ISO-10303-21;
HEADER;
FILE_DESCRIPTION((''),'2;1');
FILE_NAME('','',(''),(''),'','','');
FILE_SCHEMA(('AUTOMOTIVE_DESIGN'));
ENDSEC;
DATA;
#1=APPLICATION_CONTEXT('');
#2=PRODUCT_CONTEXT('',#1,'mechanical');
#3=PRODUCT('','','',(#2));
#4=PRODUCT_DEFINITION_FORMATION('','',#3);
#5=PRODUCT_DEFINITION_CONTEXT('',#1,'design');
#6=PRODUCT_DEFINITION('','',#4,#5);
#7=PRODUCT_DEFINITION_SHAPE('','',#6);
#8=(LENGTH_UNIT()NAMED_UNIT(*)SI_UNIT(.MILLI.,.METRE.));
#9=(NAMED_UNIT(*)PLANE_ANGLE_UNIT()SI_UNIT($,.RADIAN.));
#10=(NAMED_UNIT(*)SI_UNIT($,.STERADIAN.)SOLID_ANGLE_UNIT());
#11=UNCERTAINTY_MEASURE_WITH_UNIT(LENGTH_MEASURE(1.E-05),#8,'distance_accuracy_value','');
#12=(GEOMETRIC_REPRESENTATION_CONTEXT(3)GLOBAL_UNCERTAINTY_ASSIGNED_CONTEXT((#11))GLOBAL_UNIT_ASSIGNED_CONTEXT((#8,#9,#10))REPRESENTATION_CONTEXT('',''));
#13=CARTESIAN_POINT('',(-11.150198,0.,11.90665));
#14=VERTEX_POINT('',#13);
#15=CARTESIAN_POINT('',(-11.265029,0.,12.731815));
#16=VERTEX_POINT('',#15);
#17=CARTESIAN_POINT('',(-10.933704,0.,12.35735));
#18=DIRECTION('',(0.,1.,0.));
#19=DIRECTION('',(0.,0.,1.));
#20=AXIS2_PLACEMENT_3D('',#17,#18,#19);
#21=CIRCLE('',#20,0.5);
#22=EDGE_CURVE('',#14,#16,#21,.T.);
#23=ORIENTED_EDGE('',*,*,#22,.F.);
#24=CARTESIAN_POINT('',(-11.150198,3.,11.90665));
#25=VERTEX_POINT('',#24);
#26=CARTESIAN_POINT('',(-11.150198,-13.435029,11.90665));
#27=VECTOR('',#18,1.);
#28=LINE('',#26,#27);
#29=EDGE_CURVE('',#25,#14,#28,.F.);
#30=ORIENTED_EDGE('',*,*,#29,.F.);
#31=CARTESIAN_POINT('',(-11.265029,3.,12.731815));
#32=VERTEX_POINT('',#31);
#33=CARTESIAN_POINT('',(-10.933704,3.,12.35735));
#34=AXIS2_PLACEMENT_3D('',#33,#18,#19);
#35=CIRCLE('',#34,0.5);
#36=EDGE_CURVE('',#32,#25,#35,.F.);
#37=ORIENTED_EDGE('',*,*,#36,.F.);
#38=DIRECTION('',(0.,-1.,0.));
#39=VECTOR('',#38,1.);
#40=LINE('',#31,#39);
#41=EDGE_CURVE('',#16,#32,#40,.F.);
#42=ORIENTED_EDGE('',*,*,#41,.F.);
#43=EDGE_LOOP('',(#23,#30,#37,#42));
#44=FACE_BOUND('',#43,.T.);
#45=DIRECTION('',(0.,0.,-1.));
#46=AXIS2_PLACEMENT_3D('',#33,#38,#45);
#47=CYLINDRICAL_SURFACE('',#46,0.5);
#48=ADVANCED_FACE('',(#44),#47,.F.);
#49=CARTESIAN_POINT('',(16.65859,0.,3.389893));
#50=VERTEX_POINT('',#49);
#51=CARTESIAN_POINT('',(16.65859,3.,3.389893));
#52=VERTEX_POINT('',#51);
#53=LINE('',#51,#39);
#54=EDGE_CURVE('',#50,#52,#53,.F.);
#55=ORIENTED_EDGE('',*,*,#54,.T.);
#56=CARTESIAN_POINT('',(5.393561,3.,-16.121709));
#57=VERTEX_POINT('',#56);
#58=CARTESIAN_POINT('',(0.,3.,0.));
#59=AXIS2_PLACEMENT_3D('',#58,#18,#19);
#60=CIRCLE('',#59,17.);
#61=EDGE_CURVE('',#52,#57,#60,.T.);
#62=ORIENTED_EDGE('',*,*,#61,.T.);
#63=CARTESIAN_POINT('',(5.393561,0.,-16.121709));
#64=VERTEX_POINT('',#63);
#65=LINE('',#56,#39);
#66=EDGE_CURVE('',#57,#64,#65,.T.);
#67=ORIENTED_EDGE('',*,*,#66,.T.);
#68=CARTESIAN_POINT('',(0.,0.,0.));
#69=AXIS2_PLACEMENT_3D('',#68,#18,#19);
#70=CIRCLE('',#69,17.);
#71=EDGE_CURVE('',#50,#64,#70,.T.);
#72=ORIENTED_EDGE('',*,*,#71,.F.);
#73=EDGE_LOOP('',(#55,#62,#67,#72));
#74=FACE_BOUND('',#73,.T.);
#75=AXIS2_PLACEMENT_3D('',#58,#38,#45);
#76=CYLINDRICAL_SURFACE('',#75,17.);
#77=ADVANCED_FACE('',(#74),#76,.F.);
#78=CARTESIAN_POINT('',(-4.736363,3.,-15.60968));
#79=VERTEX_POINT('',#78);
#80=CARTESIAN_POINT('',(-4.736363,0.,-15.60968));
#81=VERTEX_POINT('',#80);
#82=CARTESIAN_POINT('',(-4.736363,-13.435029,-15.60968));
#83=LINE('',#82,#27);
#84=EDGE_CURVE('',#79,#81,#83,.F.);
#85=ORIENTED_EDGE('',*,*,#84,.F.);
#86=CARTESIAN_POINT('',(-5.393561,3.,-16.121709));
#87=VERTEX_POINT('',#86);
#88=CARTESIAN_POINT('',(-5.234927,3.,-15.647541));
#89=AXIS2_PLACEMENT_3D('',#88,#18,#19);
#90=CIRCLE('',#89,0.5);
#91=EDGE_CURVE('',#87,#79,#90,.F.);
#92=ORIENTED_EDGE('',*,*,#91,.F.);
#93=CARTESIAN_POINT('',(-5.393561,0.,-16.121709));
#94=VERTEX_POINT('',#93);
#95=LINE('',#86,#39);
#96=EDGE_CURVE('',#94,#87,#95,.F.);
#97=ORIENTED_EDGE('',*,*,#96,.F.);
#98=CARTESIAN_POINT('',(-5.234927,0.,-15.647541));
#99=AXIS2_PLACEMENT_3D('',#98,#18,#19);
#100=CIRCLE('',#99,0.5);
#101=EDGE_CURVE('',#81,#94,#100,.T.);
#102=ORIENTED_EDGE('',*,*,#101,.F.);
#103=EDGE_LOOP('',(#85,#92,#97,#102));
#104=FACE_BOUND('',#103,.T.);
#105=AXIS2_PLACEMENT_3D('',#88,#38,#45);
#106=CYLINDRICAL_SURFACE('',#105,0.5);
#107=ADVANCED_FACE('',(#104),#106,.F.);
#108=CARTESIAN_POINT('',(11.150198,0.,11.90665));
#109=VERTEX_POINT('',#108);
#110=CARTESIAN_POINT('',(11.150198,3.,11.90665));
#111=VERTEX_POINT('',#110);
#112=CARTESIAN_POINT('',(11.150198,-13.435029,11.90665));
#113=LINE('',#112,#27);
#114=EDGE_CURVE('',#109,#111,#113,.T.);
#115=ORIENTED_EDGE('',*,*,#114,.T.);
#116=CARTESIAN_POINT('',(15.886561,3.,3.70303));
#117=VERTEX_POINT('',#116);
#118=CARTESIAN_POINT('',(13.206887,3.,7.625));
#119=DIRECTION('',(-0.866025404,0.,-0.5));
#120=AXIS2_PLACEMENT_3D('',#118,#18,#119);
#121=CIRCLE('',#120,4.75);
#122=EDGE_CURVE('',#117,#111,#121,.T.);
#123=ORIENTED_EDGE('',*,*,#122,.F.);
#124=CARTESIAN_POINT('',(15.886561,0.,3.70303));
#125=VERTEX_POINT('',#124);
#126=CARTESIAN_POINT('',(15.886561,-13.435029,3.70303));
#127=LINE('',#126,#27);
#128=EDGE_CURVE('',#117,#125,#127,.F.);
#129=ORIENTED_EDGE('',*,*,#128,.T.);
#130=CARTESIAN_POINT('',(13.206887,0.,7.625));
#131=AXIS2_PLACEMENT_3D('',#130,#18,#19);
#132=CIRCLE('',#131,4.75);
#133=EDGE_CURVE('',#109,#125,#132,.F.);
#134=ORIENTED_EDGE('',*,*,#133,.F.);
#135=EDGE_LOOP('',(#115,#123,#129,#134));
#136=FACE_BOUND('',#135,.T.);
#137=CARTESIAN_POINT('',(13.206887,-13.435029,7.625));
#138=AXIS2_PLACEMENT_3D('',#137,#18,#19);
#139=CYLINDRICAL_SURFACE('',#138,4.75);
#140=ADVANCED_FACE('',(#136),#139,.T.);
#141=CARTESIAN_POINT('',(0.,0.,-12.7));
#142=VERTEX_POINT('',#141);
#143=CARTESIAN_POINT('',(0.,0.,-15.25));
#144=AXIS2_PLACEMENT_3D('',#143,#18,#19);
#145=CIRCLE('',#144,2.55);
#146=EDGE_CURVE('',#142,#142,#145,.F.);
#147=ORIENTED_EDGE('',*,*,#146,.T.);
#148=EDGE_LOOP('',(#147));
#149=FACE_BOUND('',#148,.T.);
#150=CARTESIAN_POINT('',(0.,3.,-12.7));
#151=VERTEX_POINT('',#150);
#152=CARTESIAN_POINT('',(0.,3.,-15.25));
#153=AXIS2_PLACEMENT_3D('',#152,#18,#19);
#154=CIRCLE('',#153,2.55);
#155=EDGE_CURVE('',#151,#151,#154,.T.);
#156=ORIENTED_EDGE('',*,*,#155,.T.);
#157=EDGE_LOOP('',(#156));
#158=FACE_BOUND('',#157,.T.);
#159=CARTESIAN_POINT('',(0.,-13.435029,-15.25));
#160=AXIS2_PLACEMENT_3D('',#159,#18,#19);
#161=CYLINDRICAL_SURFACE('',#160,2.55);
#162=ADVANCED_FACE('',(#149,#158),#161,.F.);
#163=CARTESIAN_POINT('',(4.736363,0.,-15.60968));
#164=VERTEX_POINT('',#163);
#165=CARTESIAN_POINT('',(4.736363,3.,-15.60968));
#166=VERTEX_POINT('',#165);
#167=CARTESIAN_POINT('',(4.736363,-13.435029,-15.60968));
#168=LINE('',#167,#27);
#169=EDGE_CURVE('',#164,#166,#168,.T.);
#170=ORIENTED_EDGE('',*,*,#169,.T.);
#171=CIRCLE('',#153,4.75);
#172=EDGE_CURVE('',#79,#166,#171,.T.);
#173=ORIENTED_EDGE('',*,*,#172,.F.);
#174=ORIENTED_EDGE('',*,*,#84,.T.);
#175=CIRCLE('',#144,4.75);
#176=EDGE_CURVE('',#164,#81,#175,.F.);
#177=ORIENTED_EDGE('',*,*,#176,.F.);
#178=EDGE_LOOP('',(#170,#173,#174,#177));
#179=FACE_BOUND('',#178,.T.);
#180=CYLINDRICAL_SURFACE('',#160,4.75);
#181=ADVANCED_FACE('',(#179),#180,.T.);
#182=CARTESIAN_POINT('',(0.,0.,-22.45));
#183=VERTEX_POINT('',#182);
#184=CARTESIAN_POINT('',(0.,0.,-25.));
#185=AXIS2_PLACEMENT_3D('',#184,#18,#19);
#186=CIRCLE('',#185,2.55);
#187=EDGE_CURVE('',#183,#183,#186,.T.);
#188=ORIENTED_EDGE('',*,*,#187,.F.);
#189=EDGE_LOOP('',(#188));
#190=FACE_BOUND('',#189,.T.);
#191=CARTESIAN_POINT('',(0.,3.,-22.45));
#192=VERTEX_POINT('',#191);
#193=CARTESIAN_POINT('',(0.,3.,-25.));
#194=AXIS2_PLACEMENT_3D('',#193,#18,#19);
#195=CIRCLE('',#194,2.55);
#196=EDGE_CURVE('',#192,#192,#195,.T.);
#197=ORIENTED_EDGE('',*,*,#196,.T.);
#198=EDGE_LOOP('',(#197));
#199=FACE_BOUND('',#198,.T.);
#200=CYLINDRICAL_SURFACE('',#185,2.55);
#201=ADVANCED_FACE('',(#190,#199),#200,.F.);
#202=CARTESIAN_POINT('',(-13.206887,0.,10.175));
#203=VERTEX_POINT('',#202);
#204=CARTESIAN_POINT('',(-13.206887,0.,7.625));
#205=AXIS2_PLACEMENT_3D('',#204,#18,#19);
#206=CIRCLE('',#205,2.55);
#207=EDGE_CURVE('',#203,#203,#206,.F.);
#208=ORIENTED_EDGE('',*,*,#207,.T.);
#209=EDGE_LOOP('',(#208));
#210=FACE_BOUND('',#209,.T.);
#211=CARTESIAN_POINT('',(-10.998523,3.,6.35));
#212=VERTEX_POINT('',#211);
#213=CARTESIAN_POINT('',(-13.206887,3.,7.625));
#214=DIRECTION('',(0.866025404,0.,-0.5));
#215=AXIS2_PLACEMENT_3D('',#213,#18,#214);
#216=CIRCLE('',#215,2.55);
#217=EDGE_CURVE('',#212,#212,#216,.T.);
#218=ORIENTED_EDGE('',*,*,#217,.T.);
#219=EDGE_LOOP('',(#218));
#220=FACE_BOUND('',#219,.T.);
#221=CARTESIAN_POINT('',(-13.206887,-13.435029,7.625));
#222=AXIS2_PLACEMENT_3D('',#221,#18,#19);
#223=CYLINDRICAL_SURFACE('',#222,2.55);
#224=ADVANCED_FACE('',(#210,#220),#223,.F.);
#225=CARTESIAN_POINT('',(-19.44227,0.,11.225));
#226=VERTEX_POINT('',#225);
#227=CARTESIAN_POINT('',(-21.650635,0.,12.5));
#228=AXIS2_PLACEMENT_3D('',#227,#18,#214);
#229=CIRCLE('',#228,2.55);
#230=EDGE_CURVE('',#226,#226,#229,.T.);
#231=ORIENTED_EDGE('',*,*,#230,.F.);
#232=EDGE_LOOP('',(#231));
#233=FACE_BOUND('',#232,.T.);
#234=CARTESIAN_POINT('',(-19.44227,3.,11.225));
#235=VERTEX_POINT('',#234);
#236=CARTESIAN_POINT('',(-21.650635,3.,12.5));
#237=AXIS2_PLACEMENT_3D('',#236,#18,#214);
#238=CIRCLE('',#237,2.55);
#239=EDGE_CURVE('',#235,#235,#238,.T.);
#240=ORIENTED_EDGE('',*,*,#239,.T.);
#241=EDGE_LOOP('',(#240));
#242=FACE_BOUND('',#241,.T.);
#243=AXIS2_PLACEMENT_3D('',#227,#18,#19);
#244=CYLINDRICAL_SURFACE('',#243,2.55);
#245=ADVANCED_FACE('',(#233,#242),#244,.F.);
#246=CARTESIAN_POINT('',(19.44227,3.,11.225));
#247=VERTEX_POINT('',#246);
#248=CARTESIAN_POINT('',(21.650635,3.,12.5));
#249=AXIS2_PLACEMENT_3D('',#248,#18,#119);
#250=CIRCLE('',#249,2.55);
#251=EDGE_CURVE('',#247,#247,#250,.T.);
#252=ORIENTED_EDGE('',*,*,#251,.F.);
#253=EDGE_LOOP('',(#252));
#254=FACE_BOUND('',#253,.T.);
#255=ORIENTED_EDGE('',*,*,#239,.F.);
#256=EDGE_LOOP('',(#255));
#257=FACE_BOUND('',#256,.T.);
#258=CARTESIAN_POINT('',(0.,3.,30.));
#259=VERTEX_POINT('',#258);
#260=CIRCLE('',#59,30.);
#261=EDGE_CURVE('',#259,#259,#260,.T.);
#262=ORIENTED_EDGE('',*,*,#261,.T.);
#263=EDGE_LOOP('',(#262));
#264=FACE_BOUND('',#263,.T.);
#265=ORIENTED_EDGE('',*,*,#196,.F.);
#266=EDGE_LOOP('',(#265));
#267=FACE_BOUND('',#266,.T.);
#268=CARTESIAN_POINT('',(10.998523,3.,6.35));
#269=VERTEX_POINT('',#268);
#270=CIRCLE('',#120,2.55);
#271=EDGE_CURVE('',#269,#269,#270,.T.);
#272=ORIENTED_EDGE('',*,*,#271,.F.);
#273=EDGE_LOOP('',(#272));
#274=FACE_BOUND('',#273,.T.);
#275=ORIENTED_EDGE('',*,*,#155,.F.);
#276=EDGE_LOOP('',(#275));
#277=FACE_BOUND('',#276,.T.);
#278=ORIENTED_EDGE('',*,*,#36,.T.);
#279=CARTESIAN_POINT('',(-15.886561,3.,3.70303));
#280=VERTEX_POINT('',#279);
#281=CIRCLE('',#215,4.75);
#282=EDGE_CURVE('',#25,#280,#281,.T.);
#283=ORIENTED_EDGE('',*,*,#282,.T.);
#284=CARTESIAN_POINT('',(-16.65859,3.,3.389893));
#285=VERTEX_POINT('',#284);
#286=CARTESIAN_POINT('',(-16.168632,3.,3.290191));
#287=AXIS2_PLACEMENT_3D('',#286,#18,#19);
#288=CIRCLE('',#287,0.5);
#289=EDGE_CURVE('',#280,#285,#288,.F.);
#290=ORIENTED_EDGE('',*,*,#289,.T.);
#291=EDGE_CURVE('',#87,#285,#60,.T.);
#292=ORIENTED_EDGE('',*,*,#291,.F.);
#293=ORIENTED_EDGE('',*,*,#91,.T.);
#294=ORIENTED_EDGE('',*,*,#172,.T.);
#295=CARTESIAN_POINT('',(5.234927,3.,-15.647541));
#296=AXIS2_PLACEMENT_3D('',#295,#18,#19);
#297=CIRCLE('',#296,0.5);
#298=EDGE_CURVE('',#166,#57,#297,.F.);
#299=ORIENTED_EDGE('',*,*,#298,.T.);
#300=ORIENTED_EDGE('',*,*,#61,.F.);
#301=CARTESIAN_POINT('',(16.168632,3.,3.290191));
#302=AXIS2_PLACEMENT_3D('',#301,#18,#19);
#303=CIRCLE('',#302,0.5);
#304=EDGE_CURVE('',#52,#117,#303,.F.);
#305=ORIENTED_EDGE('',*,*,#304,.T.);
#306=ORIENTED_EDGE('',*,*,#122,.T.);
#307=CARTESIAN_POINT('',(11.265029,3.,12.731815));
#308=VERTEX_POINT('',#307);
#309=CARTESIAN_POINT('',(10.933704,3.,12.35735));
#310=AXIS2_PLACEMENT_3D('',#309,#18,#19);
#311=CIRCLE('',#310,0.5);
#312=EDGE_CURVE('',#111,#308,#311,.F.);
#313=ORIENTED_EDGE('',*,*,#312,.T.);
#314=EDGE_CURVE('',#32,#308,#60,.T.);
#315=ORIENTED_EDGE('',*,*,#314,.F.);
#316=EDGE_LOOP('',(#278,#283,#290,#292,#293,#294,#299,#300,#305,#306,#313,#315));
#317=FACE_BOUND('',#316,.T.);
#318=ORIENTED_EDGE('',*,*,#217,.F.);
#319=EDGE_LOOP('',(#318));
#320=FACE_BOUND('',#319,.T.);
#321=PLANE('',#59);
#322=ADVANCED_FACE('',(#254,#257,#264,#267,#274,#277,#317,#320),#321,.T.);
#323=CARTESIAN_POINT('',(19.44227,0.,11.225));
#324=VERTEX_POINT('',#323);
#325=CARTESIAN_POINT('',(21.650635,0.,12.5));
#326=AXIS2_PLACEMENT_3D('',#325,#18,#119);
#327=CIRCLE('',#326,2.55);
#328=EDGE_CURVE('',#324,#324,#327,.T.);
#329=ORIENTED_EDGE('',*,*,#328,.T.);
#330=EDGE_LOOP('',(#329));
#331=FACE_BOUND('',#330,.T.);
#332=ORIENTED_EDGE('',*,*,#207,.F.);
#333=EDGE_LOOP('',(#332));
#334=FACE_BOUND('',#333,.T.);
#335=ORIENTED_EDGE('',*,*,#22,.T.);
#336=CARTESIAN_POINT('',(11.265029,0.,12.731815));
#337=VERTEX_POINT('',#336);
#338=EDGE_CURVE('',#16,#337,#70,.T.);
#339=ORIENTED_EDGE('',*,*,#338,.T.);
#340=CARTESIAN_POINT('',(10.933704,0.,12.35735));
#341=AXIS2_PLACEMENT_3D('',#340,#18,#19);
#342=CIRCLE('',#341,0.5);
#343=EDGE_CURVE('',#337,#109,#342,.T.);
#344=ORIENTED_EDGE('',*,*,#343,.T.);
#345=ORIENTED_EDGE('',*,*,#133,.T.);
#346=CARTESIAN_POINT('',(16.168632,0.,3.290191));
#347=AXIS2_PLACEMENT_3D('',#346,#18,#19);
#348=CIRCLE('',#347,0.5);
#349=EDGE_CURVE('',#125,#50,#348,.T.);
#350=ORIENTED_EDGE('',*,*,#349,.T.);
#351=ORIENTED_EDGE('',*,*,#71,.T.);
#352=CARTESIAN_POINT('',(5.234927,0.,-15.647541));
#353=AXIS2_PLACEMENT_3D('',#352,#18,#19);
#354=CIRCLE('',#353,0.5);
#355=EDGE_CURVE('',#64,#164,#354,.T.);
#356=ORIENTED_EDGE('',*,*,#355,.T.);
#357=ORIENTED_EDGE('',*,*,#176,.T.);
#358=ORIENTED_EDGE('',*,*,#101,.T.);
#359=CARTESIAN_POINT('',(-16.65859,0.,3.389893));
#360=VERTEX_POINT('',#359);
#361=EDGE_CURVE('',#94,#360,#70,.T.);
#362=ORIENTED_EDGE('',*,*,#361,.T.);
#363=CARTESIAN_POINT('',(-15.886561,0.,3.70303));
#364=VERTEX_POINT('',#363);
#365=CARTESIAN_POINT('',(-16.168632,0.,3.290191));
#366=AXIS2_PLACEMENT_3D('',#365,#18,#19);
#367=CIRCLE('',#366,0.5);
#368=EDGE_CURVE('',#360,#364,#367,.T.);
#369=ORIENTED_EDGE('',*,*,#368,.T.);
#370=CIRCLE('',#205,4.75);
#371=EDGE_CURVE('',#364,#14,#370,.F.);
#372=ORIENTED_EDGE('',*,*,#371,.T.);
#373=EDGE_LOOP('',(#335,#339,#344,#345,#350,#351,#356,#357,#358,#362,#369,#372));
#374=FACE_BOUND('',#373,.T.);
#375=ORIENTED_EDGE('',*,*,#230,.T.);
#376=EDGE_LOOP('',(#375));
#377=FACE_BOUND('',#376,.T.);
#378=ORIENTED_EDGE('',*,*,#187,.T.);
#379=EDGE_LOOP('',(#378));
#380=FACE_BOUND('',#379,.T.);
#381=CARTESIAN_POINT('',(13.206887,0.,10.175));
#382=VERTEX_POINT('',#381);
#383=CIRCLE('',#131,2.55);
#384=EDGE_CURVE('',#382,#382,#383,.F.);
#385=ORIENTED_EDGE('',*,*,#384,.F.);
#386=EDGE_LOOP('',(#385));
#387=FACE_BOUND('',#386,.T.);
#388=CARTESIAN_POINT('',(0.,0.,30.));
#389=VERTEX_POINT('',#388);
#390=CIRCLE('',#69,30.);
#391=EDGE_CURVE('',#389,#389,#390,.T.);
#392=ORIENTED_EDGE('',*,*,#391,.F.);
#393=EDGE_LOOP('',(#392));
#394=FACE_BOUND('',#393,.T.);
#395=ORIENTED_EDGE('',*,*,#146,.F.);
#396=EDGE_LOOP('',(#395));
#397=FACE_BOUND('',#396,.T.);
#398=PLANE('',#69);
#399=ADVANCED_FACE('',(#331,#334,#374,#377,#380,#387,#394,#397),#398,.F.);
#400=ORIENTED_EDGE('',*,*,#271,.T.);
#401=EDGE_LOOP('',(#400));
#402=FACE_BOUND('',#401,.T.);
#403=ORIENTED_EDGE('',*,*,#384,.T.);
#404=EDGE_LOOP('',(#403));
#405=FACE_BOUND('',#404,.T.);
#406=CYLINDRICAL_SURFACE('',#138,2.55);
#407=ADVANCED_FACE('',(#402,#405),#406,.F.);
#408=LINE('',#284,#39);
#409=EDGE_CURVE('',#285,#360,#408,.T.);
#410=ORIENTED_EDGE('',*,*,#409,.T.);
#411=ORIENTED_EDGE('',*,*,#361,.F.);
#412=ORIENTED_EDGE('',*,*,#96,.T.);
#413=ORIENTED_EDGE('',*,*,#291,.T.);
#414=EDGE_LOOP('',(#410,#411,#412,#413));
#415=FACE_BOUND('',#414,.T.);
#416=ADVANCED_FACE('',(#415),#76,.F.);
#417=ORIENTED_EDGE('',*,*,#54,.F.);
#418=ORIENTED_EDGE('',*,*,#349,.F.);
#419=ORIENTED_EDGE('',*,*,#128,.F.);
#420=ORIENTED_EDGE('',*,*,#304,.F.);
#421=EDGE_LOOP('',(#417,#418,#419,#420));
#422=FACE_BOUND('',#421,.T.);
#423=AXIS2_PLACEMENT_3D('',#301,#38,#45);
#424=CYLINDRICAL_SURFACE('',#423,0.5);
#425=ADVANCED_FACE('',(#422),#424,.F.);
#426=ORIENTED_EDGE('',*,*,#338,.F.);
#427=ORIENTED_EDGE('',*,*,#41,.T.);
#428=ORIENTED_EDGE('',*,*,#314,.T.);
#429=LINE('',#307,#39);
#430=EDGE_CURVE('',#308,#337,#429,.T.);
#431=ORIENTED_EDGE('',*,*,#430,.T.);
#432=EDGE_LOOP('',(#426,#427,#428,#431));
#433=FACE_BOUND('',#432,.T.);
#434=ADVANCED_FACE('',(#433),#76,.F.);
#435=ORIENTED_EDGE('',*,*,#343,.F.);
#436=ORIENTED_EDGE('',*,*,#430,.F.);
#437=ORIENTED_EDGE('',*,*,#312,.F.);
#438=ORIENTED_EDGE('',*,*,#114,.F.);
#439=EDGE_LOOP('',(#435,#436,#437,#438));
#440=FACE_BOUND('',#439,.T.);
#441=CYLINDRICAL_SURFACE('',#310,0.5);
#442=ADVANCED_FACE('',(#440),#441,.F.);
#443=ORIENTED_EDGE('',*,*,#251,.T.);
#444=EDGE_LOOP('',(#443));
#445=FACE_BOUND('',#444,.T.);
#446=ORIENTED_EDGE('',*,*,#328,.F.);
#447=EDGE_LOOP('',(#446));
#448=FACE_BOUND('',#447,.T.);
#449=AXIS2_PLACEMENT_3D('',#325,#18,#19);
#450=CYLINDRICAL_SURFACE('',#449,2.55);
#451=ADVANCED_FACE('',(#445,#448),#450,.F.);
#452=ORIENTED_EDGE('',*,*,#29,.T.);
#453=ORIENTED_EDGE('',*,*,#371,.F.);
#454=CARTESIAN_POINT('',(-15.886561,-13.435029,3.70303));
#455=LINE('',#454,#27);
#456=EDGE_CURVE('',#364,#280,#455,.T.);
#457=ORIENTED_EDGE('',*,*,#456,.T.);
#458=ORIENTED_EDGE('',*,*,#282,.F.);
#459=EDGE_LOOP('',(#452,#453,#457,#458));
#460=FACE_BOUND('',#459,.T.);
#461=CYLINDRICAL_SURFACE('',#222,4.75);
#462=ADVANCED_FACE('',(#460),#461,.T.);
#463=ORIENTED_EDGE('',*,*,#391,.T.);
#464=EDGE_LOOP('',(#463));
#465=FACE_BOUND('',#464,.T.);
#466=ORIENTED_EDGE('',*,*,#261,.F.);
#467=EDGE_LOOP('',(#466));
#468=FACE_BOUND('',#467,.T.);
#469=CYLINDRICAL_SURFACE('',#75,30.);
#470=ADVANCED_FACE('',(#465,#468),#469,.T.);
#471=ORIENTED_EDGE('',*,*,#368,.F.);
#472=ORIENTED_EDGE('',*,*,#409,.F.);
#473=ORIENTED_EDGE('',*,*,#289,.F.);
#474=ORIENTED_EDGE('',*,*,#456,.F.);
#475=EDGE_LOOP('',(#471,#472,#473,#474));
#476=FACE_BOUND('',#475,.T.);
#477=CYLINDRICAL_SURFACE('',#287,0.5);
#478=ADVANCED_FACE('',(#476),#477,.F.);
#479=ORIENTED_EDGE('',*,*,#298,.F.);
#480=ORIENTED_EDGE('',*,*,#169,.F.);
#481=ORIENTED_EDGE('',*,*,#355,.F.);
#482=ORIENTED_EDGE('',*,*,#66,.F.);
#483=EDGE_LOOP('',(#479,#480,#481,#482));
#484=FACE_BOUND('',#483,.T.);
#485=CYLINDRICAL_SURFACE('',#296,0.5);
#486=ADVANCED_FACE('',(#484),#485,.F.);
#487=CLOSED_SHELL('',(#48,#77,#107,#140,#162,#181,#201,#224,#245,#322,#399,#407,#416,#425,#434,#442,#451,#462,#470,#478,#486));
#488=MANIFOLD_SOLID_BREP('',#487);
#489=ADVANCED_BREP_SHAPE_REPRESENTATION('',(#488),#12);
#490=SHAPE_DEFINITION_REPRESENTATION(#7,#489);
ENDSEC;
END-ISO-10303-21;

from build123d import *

# Parameters (mm, degrees)
SKETCH1_R           = 30
SKETCH1_R_2         = 17
BOSS_EXTRUDE1_DEPTH = 3
SKETCH2_R           = 4.75
SKETCH2_R_2         = 2.55
BOSS_EXTRUDE2_DEPTH = 3
SKETCH3_R           = 2.55
CUT_EXTRUDE1_DEPTH  = 43.532340636
CIRPATTERN1_COUNT   = 3
FILLET1_R           = 0.5
SKETCH4_R           = 2.55
CUT_EXTRUDE2_DEPTH  = 43.532340784
CIRPATTERN2_COUNT   = 3


with BuildPart() as part:
    # Sketch1 → Boss-Extrude1 (new body)
    with BuildSketch(Plane(origin=(0, 0, 0), x_dir=(1, 0, 0), z_dir=(0, 1, 0))):
        with Locations(Location((0, 0, 0), (0, 0, 270))):
            Circle(SKETCH1_R)
        with Locations(Location((0, 0, 0), (0, 0, 270))):
            Circle(SKETCH1_R_2, mode=Mode.SUBTRACT)
    extrude(amount=BOSS_EXTRUDE1_DEPTH)

    # Sketch2 → Boss-Extrude2 (add)
    with BuildSketch(Plane(origin=(0, 3, 0), x_dir=(1, 0, 0), z_dir=(0, 1, 0))):
        with Locations((0, 15.25)):
            Circle(SKETCH2_R)
        with Locations((0, 15.25)):
            Circle(SKETCH2_R_2, mode=Mode.SUBTRACT)
    boss_extrude2 = extrude(amount=-BOSS_EXTRUDE2_DEPTH)

    # Sketch3 → Cut-Extrude1 (cut, through all)
    with BuildSketch(Plane(origin=(0, 3, 0), x_dir=(1, 0, 0), z_dir=(0, 1, 0))):
        with Locations(Location((0, 15.25, 0), (0, 0, 270))):
            Circle(SKETCH3_R)
    cut_extrude1 = extrude(amount=-CUT_EXTRUDE1_DEPTH, mode=Mode.SUBTRACT)

    # CirPattern1: Boss-Extrude2, Cut-Extrude1 ×3 about axis
    cirpattern1_axis = Axis((0, 0, 0), (0, 1, 0))
    add([boss_extrude2.rotate(cirpattern1_axis, i * 360 / CIRPATTERN1_COUNT) for i in range(1, CIRPATTERN1_COUNT)])
    add([cut_extrude1.rotate(cirpattern1_axis, i * 360 / CIRPATTERN1_COUNT) for i in range(1, CIRPATTERN1_COUNT)], mode=Mode.SUBTRACT)

    # Fillet1
    fillet1_edges = [part.edges().sort_by_distance(p)[0] for p in [
        (-4.618326952, 1.5, -16.360655738),
        (4.618326952, 1.5, -16.360655738),
        (16.477906967, 1.5, 4.180739406),
        (11.859580016, 1.5, 12.179916332),
        (-16.477906967, 1.5, 4.180739406),
        (-11.859580016, 1.5, 12.179916332),
    ]]
    fillet(fillet1_edges, radius=FILLET1_R)

    # Sketch4 → Cut-Extrude2 (cut, through all)
    with BuildSketch(Plane(origin=(0, 3, 0), x_dir=(1, 0, 0), z_dir=(0, 1, 0))):
        with Locations(Location((0, 25, 0), (0, 0, 270))):
            Circle(SKETCH4_R)
    cut_extrude2 = extrude(amount=-CUT_EXTRUDE2_DEPTH, mode=Mode.SUBTRACT)

    # CirPattern2: Cut-Extrude2 ×3 about axis
    cirpattern2_axis = Axis((0, 0, 0), (0, 1, 0))
    for i in range(1, CIRPATTERN2_COUNT):
        add(cut_extrude2.rotate(cirpattern2_axis, i * 360 / CIRPATTERN2_COUNT), mode=Mode.SUBTRACT)


solid = part.part
